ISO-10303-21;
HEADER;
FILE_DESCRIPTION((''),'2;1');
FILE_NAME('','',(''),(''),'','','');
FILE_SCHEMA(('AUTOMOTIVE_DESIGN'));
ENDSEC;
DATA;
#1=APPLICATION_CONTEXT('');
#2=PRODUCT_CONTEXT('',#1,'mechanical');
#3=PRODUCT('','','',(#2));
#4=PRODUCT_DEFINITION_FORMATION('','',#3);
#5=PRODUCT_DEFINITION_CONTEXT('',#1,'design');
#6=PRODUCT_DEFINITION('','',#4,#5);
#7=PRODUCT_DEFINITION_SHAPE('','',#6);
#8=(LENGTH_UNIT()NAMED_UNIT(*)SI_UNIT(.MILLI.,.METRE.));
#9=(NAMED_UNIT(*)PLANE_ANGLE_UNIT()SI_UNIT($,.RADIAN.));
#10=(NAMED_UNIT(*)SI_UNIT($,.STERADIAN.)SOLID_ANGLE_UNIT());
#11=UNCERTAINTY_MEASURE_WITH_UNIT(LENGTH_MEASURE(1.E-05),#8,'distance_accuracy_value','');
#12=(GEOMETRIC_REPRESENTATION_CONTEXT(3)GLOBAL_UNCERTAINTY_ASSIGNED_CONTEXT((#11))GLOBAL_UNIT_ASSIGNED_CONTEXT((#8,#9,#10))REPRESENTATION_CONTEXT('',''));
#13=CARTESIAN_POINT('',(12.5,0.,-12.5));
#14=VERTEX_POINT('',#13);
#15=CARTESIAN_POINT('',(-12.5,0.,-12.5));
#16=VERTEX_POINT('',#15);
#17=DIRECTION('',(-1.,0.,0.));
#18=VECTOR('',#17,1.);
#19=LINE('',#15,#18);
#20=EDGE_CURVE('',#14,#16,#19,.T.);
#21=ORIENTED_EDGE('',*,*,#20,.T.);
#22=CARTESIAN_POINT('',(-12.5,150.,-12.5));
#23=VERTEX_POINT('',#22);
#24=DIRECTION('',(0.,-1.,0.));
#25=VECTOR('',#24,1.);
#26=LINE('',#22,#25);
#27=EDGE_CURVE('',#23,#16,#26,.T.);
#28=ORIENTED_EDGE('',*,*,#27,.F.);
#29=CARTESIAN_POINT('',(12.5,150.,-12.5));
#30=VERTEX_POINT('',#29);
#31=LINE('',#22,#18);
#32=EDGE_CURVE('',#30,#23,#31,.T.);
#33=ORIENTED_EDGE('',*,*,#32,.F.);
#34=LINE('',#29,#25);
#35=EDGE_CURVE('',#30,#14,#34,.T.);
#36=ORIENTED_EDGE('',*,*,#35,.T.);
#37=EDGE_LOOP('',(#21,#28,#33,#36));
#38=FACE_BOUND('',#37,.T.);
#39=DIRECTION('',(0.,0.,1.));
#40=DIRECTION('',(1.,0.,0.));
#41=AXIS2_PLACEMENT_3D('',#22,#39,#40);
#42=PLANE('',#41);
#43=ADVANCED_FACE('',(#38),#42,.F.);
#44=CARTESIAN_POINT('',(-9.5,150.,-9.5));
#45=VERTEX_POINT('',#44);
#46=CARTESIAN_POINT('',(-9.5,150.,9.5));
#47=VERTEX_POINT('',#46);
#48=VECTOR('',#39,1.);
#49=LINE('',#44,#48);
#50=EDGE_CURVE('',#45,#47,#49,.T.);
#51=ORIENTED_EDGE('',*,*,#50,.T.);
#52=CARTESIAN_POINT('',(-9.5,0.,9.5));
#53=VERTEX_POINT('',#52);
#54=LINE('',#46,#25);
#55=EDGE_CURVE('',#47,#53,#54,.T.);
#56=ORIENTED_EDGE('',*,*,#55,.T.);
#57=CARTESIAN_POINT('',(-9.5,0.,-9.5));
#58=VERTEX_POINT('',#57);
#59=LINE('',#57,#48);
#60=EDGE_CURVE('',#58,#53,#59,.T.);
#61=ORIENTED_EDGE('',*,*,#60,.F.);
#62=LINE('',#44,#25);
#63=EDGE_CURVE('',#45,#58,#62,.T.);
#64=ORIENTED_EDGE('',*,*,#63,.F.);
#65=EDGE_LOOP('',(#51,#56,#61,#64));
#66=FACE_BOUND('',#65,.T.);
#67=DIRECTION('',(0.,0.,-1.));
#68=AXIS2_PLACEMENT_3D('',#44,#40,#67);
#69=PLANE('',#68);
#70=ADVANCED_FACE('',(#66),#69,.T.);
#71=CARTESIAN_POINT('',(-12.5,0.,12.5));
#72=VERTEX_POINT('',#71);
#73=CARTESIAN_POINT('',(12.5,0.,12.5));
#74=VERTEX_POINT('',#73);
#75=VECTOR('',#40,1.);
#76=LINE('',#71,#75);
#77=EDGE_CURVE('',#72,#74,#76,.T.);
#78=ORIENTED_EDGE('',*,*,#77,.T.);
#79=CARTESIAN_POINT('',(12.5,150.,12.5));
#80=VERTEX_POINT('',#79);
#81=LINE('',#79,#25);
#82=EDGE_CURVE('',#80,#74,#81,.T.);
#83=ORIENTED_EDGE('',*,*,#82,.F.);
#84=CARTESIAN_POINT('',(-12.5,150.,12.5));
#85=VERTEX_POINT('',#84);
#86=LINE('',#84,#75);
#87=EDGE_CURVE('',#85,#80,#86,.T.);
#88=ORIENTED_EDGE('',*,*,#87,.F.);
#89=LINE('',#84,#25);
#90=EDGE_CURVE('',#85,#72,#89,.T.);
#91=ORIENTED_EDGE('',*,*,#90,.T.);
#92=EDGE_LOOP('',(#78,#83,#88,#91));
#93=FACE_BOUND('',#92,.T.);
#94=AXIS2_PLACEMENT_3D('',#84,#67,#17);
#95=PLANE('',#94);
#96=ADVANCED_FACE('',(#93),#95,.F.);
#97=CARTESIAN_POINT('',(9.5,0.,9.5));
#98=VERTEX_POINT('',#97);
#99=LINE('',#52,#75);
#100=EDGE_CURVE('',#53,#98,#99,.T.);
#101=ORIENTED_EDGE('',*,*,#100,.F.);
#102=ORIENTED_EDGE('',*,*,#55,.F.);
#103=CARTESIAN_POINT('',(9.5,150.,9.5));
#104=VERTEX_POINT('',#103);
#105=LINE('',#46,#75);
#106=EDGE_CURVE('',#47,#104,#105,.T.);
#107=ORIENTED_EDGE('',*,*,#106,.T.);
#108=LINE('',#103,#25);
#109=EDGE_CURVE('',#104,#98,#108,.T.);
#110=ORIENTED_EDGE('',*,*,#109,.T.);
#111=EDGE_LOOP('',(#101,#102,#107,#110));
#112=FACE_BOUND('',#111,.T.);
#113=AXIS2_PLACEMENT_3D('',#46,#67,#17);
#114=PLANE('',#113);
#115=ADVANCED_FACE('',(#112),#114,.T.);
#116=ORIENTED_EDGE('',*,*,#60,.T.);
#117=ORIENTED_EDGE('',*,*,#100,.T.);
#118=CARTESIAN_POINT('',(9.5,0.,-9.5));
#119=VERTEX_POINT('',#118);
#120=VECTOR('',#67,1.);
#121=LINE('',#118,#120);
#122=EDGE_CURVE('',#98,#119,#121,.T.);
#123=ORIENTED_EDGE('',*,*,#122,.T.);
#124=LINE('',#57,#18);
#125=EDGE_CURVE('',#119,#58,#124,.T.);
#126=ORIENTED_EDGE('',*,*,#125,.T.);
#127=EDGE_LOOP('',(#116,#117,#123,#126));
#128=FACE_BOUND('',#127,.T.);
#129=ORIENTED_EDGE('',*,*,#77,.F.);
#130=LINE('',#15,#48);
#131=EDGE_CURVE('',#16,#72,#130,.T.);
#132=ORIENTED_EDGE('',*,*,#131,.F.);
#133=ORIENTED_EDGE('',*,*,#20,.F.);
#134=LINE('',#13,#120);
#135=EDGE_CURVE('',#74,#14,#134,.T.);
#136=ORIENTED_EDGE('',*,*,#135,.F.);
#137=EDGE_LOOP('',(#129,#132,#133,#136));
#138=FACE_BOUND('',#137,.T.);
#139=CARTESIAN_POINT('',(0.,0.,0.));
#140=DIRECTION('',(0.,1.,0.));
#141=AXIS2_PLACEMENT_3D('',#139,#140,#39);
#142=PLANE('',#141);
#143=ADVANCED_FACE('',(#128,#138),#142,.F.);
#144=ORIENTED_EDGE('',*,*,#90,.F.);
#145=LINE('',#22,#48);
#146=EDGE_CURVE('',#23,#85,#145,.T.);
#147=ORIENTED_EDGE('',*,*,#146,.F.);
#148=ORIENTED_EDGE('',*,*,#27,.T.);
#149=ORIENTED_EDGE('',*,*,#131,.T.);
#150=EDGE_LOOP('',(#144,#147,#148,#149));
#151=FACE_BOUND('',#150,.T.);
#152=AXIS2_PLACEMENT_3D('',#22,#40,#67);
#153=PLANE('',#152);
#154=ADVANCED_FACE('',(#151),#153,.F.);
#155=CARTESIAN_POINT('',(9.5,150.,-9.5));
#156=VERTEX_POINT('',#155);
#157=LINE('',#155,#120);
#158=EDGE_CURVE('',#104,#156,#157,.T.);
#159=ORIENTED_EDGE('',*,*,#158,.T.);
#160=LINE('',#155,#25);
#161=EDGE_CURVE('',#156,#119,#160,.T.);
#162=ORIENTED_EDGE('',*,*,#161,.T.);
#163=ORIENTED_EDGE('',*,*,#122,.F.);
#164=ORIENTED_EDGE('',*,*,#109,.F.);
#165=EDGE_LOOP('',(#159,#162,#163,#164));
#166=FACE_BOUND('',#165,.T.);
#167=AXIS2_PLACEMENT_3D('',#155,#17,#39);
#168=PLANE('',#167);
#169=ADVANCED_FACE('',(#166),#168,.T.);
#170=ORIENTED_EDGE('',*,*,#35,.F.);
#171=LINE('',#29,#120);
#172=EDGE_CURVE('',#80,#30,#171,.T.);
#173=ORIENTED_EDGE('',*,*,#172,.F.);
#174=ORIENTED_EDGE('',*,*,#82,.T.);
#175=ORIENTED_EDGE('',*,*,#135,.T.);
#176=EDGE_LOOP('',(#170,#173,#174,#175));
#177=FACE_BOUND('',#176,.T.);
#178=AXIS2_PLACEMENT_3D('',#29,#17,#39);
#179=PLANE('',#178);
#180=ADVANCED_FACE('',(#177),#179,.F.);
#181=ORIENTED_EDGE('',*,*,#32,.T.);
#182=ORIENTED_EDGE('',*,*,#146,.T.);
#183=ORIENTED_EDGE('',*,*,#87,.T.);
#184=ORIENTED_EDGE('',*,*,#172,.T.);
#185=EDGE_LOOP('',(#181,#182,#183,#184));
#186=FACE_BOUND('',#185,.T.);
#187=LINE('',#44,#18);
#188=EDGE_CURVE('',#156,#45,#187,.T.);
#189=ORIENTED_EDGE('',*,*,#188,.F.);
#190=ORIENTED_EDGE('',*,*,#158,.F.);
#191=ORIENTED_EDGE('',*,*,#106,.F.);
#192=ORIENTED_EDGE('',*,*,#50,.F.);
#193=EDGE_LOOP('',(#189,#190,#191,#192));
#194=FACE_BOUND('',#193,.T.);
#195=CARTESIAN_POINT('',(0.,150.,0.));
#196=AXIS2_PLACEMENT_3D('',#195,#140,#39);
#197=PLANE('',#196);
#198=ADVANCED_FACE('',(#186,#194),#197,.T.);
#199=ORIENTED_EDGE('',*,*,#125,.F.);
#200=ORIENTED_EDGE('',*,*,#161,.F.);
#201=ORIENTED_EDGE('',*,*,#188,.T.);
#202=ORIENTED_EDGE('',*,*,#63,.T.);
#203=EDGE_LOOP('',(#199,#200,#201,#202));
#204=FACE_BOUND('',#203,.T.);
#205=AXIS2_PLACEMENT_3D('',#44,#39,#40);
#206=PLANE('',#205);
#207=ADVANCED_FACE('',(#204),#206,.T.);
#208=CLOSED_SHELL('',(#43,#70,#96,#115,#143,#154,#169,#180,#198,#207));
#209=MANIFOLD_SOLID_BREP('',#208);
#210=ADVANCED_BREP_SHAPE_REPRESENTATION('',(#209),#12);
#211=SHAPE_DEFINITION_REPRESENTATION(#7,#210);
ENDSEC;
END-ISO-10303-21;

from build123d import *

# Parameters (mm, degrees)
SKETCH1_W           = 25
SKETCH1_H           = 25
SKETCH1_W_2         = 19
SKETCH1_H_2         = 19
BOSS_EXTRUDE1_DEPTH = 150


with BuildPart() as part:
    # Sketch1 → Boss-Extrude1 (new body)
    with BuildSketch(Plane(origin=(0, 0, 0), x_dir=(1, 0, 0), z_dir=(0, 1, 0))):
        Rectangle(SKETCH1_W, SKETCH1_H)
        Rectangle(SKETCH1_W_2, SKETCH1_H_2, mode=Mode.SUBTRACT)
    extrude(amount=BOSS_EXTRUDE1_DEPTH)


solid = part.part
